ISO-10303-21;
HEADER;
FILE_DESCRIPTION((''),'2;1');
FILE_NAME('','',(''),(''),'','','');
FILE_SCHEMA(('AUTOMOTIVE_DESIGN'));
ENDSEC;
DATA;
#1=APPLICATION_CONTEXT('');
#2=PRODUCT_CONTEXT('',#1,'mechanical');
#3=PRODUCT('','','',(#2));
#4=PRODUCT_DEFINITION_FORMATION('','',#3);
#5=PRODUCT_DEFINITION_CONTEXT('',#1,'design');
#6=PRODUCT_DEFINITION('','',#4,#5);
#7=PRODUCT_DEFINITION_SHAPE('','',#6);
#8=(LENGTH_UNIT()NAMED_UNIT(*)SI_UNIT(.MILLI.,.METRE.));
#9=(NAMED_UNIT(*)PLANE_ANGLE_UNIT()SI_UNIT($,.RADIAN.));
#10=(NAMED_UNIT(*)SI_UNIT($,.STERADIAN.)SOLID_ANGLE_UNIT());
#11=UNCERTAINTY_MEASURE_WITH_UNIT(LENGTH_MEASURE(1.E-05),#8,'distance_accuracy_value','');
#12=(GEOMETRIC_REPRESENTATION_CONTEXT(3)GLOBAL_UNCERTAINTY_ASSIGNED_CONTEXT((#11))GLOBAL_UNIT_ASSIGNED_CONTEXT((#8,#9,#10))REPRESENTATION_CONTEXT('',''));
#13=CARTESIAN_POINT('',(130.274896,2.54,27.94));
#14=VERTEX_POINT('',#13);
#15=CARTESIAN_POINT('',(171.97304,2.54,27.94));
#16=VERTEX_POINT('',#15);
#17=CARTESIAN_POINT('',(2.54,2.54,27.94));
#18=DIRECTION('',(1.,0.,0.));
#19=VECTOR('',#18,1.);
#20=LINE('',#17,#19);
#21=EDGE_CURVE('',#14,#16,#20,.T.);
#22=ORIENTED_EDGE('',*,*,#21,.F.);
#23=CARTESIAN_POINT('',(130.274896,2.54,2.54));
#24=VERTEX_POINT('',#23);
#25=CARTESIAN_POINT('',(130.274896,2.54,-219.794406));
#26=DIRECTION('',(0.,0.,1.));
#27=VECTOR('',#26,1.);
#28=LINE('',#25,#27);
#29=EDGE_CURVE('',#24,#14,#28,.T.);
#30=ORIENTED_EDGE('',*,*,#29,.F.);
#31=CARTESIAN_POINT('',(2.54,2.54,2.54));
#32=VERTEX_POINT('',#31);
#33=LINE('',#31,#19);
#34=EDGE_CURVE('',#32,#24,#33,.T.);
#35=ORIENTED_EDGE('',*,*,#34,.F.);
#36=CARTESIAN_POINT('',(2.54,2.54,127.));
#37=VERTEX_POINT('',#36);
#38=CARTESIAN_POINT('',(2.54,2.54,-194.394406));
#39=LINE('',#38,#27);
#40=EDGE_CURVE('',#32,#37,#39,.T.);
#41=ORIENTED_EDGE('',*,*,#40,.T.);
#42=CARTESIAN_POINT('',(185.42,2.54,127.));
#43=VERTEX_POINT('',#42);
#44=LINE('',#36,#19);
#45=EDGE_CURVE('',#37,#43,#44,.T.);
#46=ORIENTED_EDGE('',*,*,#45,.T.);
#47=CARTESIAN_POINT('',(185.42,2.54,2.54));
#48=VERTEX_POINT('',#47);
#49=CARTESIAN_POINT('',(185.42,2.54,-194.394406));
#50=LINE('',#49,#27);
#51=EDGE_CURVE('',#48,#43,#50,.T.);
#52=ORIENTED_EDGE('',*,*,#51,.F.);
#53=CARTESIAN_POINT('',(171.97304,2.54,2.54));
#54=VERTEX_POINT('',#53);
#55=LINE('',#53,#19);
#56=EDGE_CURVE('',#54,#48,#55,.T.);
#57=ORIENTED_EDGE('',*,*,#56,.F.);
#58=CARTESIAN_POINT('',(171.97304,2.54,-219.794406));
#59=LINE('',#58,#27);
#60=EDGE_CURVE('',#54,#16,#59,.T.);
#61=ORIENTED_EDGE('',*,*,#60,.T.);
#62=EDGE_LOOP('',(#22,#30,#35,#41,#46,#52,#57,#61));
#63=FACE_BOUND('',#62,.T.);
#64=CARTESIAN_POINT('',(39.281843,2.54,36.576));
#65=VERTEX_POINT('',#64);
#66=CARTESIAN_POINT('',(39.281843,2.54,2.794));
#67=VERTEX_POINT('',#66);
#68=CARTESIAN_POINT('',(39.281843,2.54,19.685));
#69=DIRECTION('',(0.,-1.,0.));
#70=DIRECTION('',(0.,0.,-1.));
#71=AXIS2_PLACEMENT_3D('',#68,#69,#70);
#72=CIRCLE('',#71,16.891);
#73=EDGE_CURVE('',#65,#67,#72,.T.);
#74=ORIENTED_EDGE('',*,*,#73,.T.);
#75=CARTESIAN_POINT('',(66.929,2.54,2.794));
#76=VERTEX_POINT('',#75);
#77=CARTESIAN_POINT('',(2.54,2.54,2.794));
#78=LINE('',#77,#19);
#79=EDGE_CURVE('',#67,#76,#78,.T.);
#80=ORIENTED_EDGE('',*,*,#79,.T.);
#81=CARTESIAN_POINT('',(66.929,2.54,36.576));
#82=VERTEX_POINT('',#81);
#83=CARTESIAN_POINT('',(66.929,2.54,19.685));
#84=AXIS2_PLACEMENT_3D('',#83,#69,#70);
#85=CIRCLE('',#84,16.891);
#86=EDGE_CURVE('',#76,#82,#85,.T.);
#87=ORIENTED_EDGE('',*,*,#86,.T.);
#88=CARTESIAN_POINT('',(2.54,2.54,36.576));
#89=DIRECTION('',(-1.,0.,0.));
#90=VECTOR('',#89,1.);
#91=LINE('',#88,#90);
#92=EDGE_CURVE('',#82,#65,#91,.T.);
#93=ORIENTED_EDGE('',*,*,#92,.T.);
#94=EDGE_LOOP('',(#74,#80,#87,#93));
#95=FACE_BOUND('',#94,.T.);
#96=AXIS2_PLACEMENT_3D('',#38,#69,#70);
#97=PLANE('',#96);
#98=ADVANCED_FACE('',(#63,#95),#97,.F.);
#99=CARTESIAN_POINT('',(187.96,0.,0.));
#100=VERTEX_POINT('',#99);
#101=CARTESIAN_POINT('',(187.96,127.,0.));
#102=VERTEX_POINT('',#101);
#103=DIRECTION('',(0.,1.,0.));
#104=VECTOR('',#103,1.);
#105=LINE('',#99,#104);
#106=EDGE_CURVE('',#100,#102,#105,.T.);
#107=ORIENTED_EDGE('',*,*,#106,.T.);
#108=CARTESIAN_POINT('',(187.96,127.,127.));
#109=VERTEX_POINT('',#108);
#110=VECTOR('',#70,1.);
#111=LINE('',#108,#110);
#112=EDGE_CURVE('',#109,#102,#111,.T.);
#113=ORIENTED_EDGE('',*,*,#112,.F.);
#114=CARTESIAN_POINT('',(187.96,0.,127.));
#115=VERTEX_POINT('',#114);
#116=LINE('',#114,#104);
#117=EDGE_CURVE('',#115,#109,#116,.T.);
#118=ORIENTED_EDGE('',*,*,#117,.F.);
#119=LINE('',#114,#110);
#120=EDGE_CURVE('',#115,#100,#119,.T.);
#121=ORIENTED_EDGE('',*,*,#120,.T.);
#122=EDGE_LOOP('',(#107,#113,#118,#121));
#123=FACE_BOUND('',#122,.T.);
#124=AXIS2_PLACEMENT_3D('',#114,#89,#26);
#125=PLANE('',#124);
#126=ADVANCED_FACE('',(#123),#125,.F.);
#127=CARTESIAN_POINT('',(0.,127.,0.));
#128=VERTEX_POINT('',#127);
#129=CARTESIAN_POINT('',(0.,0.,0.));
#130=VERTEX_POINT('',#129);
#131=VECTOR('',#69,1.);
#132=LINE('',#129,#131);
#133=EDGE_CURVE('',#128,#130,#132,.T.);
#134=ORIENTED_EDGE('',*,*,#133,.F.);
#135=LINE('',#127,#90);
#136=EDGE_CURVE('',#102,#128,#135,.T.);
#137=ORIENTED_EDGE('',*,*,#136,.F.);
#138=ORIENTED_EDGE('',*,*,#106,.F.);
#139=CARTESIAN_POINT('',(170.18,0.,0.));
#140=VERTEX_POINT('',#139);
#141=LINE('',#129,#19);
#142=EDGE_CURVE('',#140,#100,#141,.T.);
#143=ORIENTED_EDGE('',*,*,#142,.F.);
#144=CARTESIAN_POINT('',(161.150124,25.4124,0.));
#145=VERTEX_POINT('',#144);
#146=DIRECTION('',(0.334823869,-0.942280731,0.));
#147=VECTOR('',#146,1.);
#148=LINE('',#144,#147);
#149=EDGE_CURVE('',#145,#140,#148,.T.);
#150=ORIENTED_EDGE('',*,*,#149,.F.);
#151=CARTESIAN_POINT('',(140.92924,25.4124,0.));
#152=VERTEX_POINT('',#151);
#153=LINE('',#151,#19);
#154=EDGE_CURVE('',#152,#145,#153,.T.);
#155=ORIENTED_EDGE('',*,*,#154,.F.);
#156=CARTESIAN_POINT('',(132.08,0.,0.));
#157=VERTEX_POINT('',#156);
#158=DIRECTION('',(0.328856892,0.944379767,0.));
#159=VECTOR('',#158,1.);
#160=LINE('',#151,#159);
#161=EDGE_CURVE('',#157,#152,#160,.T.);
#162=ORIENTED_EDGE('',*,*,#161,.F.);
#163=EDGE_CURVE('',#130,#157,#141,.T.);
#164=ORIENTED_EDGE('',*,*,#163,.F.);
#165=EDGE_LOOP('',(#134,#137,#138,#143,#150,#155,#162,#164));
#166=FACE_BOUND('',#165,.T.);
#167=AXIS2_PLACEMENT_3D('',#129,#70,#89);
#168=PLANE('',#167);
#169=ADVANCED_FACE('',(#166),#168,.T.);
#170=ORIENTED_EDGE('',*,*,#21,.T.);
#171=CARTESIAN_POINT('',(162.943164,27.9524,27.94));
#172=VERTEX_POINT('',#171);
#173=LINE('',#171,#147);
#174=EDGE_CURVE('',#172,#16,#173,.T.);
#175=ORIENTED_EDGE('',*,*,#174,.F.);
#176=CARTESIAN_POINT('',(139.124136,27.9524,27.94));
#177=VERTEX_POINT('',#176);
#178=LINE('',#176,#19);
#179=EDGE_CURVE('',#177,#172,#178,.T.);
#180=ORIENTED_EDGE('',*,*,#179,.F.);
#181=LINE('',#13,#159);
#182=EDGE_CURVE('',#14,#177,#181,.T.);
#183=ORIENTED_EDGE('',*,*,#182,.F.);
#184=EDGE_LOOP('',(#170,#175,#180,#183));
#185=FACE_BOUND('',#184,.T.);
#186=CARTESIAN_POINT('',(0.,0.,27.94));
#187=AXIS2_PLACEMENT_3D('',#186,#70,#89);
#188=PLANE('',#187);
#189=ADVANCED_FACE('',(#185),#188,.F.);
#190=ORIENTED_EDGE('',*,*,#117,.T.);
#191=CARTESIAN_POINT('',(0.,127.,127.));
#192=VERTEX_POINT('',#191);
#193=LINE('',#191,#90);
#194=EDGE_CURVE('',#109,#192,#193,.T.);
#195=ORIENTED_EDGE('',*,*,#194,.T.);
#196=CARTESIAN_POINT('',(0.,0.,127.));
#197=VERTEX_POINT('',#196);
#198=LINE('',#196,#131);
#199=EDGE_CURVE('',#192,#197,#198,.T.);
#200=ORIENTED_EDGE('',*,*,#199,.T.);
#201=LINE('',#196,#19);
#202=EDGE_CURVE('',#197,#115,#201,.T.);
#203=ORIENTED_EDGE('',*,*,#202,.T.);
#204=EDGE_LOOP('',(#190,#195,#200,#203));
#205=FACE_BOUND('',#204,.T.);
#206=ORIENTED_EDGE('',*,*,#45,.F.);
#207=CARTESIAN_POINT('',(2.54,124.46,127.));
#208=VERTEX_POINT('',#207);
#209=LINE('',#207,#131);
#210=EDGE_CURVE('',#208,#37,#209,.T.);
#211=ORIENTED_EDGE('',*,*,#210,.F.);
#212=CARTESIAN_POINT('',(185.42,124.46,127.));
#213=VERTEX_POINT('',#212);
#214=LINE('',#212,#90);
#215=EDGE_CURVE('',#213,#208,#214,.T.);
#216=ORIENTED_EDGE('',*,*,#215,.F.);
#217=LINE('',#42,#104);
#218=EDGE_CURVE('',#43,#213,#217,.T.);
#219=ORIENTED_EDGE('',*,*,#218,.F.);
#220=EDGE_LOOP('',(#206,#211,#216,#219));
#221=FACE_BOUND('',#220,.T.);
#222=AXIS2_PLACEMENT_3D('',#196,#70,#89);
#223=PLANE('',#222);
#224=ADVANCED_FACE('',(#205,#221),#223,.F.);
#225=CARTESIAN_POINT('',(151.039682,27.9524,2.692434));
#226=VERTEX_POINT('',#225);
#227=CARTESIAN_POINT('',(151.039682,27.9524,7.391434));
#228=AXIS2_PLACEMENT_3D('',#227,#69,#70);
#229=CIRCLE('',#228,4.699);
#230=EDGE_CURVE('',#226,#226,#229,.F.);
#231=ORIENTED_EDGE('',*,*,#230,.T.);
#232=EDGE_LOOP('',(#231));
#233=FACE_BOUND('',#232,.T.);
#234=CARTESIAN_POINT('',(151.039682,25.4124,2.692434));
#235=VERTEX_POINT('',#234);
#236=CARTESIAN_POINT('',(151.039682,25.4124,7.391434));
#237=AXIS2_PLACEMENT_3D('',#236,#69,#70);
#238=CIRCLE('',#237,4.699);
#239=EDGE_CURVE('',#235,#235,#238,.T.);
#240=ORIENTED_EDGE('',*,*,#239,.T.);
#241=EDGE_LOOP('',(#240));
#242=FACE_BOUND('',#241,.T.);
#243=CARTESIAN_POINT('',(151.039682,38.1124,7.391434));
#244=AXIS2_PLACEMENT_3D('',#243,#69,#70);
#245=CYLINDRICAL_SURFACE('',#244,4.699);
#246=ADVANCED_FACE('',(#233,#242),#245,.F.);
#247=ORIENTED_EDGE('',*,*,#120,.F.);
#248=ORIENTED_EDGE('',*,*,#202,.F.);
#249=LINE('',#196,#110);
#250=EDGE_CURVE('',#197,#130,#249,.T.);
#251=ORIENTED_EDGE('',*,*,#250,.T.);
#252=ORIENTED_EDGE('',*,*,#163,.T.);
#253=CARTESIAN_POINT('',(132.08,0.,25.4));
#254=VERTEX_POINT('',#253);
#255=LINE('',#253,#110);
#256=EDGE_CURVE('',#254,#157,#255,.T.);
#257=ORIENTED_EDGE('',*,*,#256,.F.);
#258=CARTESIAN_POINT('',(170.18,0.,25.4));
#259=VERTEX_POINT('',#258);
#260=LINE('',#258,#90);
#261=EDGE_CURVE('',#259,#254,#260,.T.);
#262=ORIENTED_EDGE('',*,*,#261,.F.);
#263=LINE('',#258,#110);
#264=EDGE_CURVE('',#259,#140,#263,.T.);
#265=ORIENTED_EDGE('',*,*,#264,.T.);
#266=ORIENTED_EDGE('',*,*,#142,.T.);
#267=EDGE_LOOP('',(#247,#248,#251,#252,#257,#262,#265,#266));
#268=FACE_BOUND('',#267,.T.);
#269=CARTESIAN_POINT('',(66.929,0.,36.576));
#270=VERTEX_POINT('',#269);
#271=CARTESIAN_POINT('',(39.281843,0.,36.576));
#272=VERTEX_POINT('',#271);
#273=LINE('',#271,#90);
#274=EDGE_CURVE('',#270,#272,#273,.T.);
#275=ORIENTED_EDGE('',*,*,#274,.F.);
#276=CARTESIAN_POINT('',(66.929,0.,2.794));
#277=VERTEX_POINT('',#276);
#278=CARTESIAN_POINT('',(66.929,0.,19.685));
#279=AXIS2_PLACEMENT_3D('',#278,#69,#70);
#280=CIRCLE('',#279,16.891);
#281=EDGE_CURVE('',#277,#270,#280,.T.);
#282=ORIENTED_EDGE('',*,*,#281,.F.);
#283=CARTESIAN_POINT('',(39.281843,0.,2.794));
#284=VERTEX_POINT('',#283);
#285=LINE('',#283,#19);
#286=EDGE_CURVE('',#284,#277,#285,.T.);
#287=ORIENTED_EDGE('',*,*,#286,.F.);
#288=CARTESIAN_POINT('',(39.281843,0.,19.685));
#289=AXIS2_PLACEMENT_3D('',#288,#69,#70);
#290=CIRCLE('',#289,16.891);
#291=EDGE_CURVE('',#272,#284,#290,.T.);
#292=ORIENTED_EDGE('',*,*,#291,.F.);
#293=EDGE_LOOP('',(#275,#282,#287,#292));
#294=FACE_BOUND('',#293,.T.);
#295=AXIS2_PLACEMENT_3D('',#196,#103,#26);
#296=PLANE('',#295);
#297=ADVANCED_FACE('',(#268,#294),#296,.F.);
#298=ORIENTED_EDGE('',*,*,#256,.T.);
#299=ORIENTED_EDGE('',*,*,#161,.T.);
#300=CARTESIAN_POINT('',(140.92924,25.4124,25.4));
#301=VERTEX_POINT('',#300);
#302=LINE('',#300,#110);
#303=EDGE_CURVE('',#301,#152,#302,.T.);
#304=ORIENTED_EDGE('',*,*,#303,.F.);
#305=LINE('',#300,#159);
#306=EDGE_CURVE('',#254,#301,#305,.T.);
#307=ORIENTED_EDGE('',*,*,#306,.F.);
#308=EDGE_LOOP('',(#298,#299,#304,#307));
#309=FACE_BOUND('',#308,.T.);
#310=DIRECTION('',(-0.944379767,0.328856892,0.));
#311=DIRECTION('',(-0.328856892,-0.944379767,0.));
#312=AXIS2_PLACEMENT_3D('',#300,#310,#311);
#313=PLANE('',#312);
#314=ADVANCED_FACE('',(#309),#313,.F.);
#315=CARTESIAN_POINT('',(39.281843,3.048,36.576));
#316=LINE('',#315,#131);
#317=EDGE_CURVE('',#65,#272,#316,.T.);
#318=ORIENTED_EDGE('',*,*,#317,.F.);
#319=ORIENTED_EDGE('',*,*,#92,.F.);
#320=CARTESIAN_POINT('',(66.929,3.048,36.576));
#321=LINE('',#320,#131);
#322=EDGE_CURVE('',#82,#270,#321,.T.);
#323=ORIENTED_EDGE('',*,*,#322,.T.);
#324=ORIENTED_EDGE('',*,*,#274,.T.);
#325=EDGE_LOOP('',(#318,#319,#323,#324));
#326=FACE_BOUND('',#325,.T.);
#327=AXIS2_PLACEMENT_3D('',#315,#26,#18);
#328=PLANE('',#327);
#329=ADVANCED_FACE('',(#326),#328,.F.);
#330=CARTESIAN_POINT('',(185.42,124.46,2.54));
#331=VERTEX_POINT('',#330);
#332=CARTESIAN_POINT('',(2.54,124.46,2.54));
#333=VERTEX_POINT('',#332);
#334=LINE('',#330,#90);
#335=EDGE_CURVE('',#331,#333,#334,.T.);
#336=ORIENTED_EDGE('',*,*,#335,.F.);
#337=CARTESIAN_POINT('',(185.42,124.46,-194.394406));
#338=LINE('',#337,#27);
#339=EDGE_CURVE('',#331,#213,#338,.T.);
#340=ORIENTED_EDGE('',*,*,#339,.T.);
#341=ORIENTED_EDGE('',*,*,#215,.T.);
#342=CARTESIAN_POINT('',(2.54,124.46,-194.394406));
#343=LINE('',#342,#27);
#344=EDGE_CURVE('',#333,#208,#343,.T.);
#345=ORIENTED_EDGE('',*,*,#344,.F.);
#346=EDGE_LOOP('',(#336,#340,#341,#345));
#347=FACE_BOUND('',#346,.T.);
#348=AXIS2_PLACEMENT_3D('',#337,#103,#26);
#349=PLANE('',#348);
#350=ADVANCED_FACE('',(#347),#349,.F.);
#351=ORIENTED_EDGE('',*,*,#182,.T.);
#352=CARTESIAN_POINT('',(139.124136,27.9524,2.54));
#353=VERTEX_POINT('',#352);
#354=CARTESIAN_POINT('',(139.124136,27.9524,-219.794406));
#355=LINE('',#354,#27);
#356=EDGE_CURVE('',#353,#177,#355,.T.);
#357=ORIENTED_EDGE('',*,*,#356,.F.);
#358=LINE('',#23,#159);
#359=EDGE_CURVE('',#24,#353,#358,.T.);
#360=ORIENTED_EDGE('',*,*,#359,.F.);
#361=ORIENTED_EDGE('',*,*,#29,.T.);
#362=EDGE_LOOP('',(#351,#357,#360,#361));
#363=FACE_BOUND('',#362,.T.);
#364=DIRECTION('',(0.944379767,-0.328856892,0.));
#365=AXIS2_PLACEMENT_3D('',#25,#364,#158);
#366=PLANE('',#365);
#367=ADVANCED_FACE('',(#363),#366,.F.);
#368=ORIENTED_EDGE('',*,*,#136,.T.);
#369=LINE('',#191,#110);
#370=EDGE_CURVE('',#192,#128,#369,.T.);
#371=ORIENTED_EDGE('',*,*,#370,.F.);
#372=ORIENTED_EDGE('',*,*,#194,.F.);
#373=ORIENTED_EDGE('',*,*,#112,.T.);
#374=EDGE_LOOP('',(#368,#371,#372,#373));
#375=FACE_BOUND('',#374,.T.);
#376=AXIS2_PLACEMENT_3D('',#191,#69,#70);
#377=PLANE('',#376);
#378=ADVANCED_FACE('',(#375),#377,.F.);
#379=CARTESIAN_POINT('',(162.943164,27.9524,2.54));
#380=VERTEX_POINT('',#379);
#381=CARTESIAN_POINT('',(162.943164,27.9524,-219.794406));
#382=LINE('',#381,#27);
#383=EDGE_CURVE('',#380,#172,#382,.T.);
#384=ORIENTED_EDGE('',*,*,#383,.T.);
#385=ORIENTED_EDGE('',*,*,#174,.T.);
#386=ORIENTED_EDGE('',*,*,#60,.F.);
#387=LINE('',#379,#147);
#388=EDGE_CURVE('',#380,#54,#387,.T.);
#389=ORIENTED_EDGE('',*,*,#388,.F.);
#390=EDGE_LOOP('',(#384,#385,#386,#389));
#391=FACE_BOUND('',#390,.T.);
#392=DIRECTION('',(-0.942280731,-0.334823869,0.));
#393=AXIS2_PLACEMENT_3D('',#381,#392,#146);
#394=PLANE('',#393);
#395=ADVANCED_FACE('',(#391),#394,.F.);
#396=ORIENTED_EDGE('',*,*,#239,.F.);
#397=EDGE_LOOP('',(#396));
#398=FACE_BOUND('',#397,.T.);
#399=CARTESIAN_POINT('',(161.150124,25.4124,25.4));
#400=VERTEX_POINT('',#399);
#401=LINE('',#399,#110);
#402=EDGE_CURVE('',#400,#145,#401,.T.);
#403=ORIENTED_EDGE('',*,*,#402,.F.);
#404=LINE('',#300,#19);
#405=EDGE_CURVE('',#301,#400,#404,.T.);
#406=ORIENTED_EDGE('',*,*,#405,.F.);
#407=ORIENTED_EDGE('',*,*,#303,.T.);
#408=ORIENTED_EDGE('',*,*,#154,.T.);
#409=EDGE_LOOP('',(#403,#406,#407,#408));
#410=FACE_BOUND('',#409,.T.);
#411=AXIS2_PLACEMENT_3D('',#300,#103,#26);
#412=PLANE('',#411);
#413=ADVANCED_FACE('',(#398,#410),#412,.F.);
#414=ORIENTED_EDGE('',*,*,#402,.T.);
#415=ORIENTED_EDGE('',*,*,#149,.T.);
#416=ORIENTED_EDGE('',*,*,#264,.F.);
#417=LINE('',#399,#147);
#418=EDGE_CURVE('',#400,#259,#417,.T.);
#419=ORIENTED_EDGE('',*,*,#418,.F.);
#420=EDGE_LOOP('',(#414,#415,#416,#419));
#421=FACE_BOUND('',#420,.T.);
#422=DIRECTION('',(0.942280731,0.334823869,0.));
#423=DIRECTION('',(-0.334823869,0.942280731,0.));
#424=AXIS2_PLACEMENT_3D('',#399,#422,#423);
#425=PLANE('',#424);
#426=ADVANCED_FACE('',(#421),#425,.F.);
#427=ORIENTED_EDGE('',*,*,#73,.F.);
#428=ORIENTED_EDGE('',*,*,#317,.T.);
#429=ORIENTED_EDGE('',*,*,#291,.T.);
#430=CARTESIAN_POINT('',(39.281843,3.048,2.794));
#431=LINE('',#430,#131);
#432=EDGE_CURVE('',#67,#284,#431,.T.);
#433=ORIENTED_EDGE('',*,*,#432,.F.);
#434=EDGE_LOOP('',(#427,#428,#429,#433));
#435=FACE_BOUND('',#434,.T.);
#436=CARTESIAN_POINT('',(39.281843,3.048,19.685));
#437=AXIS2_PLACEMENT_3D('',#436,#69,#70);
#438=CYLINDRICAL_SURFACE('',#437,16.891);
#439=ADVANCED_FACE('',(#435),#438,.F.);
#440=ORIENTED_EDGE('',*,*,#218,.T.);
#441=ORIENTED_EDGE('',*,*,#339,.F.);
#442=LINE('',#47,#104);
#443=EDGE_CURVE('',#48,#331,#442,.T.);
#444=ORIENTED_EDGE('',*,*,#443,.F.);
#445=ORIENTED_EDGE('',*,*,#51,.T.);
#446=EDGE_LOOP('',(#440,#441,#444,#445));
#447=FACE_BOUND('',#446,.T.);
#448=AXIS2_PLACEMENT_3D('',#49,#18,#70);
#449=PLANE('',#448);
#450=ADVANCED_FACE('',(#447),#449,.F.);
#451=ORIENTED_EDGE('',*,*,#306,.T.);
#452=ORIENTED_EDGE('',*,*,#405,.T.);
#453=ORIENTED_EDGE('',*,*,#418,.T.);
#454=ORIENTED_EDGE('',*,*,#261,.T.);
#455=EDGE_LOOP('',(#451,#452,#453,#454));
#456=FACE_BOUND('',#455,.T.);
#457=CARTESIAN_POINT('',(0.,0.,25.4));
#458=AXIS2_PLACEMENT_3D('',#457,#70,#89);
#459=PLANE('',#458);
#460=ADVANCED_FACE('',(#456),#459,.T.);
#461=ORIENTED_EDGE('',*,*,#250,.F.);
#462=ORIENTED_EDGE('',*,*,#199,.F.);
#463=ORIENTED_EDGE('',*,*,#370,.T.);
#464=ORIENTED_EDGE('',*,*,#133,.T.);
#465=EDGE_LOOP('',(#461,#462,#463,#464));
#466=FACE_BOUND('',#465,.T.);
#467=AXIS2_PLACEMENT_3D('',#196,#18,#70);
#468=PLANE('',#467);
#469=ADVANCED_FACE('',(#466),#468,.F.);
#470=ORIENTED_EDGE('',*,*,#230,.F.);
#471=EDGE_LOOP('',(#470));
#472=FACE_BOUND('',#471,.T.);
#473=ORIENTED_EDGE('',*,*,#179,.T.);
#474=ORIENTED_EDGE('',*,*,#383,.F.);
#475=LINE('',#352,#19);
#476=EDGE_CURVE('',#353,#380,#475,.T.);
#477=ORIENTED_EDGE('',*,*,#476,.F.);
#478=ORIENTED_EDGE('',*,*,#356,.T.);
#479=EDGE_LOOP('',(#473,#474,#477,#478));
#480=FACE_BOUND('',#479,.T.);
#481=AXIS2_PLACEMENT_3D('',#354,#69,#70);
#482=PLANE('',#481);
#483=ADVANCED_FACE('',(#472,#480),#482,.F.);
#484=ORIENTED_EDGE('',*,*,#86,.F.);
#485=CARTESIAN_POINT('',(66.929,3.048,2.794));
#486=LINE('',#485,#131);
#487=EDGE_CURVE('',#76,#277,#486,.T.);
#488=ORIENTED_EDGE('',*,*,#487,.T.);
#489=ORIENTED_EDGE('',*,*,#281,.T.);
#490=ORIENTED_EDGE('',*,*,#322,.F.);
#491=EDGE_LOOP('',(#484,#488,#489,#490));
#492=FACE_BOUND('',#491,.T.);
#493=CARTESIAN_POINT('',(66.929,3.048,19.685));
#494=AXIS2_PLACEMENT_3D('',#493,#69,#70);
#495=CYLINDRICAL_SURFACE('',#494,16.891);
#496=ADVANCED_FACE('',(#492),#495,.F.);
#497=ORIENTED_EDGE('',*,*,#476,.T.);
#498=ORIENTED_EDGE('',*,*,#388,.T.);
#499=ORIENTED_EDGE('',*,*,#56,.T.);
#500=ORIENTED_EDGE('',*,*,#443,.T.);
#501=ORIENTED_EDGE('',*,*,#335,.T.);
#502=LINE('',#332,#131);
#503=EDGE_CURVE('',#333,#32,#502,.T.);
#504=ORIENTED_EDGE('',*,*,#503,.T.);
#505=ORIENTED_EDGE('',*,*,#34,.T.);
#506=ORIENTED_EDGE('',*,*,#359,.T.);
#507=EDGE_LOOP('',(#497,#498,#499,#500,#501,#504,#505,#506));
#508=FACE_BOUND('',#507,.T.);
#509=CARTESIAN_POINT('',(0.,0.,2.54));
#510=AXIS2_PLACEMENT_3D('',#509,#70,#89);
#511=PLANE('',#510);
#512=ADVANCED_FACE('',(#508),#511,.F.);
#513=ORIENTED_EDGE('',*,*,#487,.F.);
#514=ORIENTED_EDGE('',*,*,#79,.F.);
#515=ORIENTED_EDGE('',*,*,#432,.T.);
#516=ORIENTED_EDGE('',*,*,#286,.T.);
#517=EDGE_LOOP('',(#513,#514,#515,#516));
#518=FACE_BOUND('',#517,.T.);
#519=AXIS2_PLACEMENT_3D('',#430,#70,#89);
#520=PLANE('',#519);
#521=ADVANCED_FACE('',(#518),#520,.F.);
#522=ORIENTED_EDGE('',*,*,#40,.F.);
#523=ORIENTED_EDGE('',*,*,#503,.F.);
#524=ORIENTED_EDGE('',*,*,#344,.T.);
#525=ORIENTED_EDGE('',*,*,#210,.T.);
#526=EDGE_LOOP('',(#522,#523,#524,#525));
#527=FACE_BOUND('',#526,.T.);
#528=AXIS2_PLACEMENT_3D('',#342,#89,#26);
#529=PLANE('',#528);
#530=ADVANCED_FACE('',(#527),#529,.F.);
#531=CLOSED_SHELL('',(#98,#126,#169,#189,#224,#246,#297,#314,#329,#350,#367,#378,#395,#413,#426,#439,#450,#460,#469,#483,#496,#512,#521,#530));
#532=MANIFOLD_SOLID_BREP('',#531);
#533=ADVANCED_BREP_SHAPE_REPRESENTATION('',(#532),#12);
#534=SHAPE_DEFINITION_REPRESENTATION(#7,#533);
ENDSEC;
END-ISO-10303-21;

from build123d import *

# Parameters (mm, degrees)
SKETCH1_W           = 187.96
SKETCH1_H           = 127
BOSS_EXTRUDE1_DEPTH = 127
CUT_EXTRUDE1_DEPTH  = 25.4
SKETCH6_R           = 4.699
CUT_EXTRUDE2_DEPTH  = 12.7
SKETCH7_W           = 182.88
SKETCH7_H           = 121.92
CUT_EXTRUDE4_DEPTH  = 99.06
CUT_EXTRUDE5_DEPTH  = 25.4
CUT_EXTRUDE6_DEPTH  = 3.048


with BuildPart() as part:
    # Sketch1 → Boss-Extrude1 (new body)
    with BuildSketch(Plane.XY):
        with Locations((93.98, 63.5)):
            Rectangle(SKETCH1_W, SKETCH1_H)
    extrude(amount=BOSS_EXTRUDE1_DEPTH)

    # Sketch3 → Cut-Extrude1 (cut)
    with BuildSketch(Plane(origin=(0, 0, 0), x_dir=(-1, 0, 0), z_dir=(0, 0, -1))):
        Polygon((-170.18, 0), (-132.08, 0), (-140.929239756, 25.412400336), (-161.150123966, 25.412400336), align=None)
    extrude(amount=-CUT_EXTRUDE1_DEPTH, mode=Mode.SUBTRACT)

    # Sketch6 → Cut-Extrude2 (cut)
    with BuildSketch(Plane.XZ.offset(-25.412400336)):
        with Locations(Location((151.039681861, 7.391433819, 0), (0, 0, 270))):
            Circle(SKETCH6_R)
    extrude(amount=-CUT_EXTRUDE2_DEPTH, mode=Mode.SUBTRACT)

    # Sketch7 → Cut-Extrude4 (cut)
    with BuildSketch(Plane.XY.offset(127)):
        with Locations((93.98, 63.5)):
            Rectangle(SKETCH7_W, SKETCH7_H)
    extrude(amount=-CUT_EXTRUDE4_DEPTH, mode=Mode.SUBTRACT)

    # Sketch9 → Cut-Extrude5 (cut)
    with BuildSketch(Plane.XY.offset(27.94)):
        Polygon((162.943164317, 27.952400336), (171.973040351, 2.54), (185.42, 2.54), (185.42, 124.46), (2.54, 124.46), (2.54, 2.54), (130.274896212, 2.54), (139.124135968, 27.952400336), align=None)
    extrude(amount=-CUT_EXTRUDE5_DEPTH, mode=Mode.SUBTRACT)

    # Sketch10 → Cut-Extrude6 (cut)
    with BuildSketch(Plane.XZ):
        with BuildLine():
            Line((39.281842654, 36.576), (66.929, 36.576))
            ThreePointArc((66.929, 36.576), (83.82, 19.685), (66.929, 2.794))
            Line((66.929, 2.794), (39.281842654, 2.794))
            ThreePointArc((39.281842654, 2.794), (22.390842654, 19.685), (39.281842654, 36.576))
        make_face()
    extrude(amount=-CUT_EXTRUDE6_DEPTH, mode=Mode.SUBTRACT)


solid = part.part
